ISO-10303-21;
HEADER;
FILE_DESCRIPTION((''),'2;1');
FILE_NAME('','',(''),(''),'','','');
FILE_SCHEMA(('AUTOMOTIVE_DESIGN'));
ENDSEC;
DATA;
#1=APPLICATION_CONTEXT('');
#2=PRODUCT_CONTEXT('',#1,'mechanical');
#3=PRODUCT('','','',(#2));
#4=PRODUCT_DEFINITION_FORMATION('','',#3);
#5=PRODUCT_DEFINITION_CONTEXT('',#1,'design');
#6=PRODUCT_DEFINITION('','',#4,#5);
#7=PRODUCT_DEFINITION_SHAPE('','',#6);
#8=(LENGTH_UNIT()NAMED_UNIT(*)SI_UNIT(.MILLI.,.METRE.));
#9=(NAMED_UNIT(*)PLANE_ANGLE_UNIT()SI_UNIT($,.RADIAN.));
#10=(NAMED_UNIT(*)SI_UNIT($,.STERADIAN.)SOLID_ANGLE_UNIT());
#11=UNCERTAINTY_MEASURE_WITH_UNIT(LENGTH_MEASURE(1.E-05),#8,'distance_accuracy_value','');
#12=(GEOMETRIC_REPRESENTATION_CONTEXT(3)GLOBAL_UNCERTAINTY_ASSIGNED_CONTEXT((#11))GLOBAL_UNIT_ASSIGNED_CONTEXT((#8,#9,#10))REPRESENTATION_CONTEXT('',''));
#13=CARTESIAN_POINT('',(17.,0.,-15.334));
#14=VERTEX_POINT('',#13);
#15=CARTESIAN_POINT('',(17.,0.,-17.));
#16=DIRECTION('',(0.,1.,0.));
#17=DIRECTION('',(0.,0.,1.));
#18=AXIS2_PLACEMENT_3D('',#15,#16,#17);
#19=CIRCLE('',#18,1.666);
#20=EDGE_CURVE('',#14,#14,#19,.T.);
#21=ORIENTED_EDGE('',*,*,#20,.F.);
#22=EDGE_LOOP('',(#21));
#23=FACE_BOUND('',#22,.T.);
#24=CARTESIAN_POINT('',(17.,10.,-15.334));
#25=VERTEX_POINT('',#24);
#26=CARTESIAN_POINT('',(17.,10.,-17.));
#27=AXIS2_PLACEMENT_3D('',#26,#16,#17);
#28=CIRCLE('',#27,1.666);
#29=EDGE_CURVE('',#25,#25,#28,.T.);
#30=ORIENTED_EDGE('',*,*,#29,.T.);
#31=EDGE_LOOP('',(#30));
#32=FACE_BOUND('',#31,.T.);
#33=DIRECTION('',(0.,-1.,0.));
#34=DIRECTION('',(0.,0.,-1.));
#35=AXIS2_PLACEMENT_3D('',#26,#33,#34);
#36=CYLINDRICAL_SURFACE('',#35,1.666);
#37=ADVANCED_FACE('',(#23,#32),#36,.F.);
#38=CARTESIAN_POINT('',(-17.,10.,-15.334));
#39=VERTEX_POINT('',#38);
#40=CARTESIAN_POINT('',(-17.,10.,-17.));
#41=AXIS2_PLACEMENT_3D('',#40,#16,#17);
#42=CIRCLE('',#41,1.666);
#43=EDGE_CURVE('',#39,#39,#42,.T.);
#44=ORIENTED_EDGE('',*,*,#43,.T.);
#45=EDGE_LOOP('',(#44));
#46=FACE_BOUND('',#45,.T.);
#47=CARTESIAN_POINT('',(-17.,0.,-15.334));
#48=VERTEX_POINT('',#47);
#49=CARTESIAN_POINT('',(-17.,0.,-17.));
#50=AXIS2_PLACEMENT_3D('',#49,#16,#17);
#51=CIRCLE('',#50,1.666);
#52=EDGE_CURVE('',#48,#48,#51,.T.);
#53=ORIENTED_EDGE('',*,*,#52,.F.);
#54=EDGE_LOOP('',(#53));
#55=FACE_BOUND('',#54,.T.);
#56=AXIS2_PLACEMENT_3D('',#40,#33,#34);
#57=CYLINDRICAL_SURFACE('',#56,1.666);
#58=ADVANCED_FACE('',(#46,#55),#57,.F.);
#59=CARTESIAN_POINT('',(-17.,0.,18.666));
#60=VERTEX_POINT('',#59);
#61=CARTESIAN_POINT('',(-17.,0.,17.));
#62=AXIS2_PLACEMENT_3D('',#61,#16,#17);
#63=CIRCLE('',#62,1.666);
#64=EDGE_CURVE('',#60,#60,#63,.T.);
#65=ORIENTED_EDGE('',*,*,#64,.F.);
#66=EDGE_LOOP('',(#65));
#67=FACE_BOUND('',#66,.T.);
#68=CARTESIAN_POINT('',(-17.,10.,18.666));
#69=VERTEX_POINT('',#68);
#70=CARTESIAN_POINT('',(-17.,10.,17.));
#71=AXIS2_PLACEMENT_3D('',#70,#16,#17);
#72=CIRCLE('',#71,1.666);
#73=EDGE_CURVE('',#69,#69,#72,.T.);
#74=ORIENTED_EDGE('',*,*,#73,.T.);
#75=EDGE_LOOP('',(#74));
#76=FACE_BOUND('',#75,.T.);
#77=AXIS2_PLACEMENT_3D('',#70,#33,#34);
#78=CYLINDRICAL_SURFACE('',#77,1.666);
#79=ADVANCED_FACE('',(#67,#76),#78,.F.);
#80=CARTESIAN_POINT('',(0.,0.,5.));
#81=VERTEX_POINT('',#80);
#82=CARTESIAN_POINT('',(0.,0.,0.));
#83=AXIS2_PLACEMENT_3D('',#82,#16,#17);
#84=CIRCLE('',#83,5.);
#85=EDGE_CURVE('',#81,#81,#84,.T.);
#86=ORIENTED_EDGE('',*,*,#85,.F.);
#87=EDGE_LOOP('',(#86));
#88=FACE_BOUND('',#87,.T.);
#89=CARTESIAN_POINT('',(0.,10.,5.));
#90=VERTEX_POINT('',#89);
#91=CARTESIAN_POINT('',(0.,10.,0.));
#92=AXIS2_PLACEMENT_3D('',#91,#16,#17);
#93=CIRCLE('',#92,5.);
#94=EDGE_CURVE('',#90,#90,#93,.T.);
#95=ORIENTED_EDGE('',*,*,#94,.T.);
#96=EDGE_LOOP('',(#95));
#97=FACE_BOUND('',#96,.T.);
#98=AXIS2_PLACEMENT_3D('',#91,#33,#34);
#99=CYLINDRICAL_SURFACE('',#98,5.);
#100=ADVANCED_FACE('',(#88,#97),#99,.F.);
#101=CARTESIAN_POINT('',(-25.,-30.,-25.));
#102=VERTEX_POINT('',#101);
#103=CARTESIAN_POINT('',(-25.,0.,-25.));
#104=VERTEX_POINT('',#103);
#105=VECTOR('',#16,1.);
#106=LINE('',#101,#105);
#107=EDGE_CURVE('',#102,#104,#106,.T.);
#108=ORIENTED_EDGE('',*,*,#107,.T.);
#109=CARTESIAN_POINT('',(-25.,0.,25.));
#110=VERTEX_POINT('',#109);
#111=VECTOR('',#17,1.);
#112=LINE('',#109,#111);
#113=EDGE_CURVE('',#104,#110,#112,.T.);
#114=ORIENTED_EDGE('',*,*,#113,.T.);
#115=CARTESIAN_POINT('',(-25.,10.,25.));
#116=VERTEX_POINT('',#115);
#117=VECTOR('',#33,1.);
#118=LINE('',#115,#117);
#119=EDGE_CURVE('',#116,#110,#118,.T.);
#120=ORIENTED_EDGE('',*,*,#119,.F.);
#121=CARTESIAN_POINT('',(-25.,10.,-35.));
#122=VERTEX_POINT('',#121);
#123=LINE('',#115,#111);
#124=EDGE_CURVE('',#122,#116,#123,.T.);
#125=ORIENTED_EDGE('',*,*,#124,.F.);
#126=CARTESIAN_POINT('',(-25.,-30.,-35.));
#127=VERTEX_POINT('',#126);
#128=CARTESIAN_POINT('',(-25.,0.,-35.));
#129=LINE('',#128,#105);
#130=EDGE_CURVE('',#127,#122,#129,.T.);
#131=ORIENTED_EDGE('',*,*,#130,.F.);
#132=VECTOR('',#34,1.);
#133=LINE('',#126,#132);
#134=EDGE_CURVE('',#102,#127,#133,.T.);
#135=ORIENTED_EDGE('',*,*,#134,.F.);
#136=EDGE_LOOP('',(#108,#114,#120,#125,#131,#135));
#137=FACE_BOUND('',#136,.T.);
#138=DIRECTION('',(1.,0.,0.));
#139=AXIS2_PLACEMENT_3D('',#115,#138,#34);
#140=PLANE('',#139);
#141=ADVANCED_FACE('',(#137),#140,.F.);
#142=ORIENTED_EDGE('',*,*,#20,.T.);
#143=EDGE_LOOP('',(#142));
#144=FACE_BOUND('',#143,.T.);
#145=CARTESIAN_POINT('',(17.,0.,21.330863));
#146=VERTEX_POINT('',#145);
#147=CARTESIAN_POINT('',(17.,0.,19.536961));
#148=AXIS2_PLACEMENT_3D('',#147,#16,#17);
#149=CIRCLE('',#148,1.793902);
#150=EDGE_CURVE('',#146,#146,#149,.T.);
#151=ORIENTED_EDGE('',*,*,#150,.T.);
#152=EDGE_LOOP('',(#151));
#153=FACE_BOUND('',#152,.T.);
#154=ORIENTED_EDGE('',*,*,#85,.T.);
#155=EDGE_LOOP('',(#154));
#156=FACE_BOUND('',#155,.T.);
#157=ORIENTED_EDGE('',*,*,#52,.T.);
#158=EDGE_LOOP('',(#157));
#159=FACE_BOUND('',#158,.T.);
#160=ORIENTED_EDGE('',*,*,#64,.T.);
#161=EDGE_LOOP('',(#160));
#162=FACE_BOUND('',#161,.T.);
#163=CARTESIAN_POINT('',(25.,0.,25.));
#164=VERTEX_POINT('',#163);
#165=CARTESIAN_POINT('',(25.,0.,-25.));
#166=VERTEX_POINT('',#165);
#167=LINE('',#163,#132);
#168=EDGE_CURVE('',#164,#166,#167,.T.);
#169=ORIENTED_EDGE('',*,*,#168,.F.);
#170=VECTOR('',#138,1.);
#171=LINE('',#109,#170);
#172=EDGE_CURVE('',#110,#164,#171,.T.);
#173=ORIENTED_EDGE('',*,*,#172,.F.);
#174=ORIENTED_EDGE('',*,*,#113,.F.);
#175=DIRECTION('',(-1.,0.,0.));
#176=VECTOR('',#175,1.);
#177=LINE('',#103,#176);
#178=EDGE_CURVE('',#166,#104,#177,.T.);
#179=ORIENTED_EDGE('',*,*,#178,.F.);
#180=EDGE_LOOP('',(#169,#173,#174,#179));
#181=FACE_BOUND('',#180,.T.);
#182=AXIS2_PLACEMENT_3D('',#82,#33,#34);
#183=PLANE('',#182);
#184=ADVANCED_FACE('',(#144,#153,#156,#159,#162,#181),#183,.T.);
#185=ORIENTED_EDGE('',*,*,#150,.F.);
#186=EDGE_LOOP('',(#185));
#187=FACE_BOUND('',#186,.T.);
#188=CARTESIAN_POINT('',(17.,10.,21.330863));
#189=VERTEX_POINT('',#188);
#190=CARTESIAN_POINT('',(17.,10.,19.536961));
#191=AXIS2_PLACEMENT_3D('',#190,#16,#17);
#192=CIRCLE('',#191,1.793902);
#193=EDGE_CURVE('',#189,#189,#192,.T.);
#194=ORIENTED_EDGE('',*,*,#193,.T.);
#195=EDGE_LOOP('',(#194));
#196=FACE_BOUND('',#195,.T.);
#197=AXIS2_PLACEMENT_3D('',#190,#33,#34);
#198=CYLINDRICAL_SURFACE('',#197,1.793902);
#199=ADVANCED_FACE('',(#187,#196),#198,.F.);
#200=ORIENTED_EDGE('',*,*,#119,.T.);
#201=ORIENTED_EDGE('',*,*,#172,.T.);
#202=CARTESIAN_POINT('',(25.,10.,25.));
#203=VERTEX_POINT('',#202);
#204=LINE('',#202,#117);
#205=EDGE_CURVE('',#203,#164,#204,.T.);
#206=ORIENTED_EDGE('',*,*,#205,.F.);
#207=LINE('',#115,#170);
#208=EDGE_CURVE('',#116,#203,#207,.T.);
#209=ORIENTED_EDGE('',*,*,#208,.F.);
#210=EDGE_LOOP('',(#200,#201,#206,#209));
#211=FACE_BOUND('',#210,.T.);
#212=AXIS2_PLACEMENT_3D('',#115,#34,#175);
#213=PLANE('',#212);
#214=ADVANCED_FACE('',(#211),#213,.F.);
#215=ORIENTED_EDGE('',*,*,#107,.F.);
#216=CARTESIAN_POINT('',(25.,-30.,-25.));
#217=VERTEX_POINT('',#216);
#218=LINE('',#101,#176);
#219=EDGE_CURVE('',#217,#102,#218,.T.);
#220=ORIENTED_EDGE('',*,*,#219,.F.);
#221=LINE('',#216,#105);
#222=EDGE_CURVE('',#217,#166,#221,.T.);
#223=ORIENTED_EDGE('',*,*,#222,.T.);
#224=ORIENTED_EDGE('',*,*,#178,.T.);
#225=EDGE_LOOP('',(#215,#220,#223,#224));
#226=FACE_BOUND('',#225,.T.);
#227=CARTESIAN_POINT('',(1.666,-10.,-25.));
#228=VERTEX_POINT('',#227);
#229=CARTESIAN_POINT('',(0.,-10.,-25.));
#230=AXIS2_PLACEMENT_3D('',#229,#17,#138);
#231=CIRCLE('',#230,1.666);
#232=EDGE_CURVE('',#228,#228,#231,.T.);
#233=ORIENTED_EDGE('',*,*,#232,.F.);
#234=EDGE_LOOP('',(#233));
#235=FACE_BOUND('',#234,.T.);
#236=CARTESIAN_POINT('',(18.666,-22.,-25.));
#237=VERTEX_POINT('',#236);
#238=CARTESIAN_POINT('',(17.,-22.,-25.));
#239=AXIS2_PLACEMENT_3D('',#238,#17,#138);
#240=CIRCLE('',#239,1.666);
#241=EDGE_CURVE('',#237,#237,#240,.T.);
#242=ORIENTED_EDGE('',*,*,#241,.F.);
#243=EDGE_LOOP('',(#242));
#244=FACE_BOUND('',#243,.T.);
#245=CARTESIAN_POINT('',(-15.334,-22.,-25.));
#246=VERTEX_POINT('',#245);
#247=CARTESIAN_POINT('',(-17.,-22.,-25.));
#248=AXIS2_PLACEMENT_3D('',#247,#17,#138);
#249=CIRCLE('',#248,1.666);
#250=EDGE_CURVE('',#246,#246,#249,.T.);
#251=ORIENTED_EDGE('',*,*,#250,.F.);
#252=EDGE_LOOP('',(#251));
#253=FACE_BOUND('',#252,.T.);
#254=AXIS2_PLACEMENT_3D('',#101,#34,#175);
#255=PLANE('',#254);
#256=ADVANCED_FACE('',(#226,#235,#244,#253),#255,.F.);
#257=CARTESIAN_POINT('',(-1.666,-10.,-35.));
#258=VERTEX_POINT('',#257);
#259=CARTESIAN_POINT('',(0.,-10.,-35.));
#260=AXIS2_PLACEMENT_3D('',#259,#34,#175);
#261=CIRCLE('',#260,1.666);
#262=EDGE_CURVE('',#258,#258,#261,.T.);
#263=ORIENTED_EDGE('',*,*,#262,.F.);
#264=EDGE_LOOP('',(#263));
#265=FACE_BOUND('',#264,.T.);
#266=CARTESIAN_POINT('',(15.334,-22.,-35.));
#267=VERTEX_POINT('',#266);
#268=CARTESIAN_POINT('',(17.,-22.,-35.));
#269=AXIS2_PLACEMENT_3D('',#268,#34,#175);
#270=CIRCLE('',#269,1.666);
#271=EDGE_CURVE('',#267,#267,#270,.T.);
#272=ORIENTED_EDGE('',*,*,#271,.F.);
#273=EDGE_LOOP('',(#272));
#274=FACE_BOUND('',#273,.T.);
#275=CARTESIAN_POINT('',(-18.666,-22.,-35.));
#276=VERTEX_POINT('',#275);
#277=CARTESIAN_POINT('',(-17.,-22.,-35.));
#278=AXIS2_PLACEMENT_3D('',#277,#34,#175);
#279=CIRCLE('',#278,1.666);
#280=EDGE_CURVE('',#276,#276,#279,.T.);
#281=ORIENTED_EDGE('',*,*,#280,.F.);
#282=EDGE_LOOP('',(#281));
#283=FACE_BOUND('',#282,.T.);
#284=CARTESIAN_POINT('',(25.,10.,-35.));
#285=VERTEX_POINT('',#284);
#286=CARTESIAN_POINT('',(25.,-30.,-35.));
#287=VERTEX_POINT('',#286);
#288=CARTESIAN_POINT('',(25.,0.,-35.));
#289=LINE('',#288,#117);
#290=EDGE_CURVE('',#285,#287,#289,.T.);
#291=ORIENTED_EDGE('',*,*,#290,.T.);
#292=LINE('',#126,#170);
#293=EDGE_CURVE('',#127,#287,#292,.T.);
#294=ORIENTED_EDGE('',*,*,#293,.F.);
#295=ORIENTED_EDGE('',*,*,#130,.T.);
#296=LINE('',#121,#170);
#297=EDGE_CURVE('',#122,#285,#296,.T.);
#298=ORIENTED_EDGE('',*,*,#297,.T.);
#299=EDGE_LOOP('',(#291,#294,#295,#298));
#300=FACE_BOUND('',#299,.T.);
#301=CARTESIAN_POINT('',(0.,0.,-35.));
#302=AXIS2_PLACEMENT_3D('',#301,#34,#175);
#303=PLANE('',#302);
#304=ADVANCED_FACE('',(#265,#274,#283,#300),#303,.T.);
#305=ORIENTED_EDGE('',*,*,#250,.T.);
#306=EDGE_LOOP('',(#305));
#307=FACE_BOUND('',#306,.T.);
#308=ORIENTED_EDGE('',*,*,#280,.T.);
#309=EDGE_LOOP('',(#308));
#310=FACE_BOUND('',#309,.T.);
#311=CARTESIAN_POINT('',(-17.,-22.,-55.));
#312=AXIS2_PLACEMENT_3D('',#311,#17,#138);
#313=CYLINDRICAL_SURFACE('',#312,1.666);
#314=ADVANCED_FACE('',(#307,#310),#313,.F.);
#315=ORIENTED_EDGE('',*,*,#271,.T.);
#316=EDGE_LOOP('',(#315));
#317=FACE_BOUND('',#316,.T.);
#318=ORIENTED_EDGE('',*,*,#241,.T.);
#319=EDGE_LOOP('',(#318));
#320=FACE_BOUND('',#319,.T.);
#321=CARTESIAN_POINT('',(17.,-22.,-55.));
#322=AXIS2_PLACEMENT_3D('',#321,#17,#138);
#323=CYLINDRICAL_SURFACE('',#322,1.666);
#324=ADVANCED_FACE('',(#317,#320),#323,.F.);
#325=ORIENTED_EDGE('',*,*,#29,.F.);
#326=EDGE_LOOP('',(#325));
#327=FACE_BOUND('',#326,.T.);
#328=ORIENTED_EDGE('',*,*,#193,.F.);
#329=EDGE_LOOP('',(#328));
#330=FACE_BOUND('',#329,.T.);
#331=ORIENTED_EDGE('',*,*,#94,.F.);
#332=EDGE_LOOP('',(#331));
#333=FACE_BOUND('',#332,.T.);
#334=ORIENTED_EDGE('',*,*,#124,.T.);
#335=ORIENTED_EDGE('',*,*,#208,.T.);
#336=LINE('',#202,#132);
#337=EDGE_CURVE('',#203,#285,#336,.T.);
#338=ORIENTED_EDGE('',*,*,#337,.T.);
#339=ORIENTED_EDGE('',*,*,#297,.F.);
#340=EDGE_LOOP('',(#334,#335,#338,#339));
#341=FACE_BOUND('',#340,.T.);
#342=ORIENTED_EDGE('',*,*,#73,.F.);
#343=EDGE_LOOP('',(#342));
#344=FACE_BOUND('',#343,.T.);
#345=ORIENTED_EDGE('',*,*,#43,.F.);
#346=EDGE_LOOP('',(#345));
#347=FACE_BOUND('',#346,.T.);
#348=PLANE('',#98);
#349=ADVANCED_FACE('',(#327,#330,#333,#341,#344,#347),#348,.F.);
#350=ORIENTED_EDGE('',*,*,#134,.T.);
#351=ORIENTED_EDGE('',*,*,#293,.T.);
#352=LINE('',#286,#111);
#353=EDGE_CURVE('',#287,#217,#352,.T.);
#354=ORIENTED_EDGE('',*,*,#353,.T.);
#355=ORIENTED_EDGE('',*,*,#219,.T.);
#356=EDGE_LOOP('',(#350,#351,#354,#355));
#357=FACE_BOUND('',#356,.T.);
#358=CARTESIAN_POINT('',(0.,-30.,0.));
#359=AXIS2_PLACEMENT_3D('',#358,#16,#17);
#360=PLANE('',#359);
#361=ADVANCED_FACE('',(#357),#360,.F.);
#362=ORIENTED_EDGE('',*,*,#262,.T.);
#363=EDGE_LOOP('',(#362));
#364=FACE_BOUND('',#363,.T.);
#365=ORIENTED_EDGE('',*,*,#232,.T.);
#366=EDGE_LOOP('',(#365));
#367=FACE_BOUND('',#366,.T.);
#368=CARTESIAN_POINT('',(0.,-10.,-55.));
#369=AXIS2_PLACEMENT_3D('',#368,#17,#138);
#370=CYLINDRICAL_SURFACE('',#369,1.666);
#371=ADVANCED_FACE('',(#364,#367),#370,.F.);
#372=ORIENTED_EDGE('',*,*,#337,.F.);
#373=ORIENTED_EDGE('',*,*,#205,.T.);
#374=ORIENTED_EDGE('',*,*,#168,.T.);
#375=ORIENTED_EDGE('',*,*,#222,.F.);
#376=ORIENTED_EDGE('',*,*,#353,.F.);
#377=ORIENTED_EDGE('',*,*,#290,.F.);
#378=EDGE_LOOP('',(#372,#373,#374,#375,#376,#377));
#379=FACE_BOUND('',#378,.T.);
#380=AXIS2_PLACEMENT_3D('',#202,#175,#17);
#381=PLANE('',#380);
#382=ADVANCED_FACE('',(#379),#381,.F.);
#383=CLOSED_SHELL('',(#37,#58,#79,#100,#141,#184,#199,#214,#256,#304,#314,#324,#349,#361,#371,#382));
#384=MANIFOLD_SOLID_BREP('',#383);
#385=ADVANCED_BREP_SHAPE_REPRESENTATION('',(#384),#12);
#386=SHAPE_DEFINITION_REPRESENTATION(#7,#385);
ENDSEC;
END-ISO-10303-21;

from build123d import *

# Parameters (mm, degrees)
SKETCH1_W           = 50
SKETCH1_H           = 50
SKETCH1_R           = 5
SKETCH1_R_2         = 1.666
SKETCH1_R_3         = 1.793902259
BOSS_EXTRUDE3_DEPTH = 10
SKETCH2_W           = 50
SKETCH2_H           = 10
BOSS_EXTRUDE4_DEPTH = 10
SKETCH3_W           = 50
SKETCH3_H           = 10
BOSS_EXTRUDE5_DEPTH = 30
SKETCH4_R           = 1.666
CUT_EXTRUDE1_DEPTH  = 30


with BuildPart() as part:
    # Sketch1 → Boss-Extrude3 (new body)
    with BuildSketch(Plane(origin=(0, 0, 0), x_dir=(1, 0, 0), z_dir=(0, 1, 0))):
        Rectangle(SKETCH1_W, SKETCH1_H)
        Circle(SKETCH1_R, mode=Mode.SUBTRACT)
        with Locations((-17, 17)):
            Circle(SKETCH1_R_2, mode=Mode.SUBTRACT)
        with Locations((17, 17)):
            Circle(SKETCH1_R_2, mode=Mode.SUBTRACT)
        with Locations((-17, -17)):
            Circle(SKETCH1_R_2, mode=Mode.SUBTRACT)
        with Locations((17, -19.536960904)):
            Circle(SKETCH1_R_3, mode=Mode.SUBTRACT)
    extrude(amount=BOSS_EXTRUDE3_DEPTH)

    # Sketch2 → Boss-Extrude4 (add)
    with BuildSketch(Plane(origin=(0, 0, -25), x_dir=(-1, 0, 0), z_dir=(0, 0, -1))):
        with Locations((0, 5)):
            Rectangle(SKETCH2_W, SKETCH2_H)
    extrude(amount=BOSS_EXTRUDE4_DEPTH)

    # Sketch3 → Boss-Extrude5 (add)
    with BuildSketch(Plane(origin=(0, 0, 0), x_dir=(-1, 0, 0), z_dir=(0, -1, 0))):
        with Locations((0, 30)):
            Rectangle(SKETCH3_W, SKETCH3_H)
    extrude(amount=BOSS_EXTRUDE5_DEPTH)

    # Sketch4 → Cut-Extrude1 (cut)
    with BuildSketch(Plane.XY.offset(-25)):
        with Locations((17, -22)):
            Circle(SKETCH4_R)
        with Locations((0, -10)):
            Circle(SKETCH4_R)
        with Locations((-17, -22)):
            Circle(SKETCH4_R)
    extrude(amount=-CUT_EXTRUDE1_DEPTH, mode=Mode.SUBTRACT)


solid = part.part
